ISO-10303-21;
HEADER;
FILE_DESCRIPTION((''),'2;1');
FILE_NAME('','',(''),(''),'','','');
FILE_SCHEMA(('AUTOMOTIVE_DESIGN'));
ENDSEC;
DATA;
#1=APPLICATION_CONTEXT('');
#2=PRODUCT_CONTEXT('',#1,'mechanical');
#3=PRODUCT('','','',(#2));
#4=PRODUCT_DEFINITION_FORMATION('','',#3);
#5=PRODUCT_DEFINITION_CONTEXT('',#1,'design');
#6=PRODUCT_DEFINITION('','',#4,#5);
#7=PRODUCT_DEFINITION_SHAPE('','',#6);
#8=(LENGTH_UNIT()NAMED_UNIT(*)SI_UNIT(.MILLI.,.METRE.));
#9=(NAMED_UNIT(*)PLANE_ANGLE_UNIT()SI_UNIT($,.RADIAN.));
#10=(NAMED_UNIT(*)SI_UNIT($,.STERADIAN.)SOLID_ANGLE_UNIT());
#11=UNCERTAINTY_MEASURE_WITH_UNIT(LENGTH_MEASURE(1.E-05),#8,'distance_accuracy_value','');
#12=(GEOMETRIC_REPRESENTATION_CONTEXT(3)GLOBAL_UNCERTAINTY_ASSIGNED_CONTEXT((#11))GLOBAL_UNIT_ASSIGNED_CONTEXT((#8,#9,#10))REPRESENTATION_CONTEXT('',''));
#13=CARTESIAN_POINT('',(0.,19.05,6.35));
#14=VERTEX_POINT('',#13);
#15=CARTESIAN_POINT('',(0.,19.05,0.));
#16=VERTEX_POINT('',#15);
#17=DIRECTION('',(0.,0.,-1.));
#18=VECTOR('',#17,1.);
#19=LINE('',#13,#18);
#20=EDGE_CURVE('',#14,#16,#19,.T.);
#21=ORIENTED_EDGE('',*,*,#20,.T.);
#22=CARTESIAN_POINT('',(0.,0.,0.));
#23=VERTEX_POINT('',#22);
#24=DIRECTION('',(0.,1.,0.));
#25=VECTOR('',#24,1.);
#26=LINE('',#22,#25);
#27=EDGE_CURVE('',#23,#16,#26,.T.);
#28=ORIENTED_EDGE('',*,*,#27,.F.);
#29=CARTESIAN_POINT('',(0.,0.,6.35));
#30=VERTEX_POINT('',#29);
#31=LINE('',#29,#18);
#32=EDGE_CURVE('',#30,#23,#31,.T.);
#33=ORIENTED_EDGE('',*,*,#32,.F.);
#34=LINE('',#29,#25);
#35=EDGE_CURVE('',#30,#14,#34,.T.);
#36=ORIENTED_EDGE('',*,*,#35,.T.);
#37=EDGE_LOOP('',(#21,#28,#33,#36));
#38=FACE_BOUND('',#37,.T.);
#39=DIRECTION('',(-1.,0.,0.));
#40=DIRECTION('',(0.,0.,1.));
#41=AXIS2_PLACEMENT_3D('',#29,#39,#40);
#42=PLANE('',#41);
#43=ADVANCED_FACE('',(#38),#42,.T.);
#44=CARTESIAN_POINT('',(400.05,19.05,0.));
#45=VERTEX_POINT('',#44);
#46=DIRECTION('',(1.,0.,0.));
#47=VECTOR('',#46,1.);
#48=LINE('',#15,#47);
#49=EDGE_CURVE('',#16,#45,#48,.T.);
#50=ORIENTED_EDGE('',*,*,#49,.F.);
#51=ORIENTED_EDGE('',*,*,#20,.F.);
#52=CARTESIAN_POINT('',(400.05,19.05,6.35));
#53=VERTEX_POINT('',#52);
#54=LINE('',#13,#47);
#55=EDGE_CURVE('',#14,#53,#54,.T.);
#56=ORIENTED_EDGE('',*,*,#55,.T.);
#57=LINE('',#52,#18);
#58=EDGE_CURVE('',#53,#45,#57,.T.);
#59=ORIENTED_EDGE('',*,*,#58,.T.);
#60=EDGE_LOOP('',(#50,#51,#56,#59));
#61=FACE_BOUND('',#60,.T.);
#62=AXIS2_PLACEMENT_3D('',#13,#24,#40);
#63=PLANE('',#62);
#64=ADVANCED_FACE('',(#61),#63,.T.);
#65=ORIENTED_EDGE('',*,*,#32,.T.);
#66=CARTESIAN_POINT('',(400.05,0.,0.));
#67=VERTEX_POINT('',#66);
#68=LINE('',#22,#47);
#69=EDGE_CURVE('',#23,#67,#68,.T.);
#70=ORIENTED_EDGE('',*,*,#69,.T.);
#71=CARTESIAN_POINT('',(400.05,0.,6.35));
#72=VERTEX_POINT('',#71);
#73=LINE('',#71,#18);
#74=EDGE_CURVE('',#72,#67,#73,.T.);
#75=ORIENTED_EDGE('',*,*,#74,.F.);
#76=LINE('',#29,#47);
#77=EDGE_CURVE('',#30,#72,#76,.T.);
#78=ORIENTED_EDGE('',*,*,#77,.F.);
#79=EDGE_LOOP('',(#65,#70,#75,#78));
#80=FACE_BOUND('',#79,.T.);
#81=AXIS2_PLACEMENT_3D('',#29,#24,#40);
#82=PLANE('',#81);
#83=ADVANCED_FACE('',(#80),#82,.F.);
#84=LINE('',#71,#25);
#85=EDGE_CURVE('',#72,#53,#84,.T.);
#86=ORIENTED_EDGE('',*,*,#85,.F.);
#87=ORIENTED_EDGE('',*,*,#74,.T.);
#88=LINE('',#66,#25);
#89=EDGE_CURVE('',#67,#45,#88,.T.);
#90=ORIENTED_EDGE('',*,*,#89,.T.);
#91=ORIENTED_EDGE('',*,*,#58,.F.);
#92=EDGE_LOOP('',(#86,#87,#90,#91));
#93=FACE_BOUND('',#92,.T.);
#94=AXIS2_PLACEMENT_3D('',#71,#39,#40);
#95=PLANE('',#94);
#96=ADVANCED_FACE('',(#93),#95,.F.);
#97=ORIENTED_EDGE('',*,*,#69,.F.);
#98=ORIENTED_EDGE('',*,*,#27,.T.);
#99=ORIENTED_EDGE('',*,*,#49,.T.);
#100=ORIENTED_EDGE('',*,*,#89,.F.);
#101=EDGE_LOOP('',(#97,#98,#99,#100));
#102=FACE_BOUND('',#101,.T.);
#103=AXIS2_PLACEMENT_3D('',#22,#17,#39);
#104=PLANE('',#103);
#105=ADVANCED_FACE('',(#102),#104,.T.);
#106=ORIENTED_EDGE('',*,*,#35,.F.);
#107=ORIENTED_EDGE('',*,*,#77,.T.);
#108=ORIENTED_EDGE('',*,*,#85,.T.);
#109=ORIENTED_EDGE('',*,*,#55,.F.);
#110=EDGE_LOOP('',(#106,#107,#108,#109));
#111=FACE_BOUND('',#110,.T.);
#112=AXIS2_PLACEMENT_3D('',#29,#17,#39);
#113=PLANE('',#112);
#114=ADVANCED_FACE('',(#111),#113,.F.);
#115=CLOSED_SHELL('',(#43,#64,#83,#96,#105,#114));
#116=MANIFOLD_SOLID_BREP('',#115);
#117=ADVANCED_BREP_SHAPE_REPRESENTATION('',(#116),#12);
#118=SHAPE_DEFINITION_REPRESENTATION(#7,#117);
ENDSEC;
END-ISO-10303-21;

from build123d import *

# Parameters (mm, degrees)
SKETCH1_W           = 400.05
SKETCH1_H           = 19.05
BOSS_EXTRUDE1_DEPTH = 6.35


with BuildPart() as part:
    # Sketch1 → Boss-Extrude1 (new body)
    with BuildSketch(Plane.XY):
        with Locations((200.025, 9.525)):
            Rectangle(SKETCH1_W, SKETCH1_H)
    extrude(amount=BOSS_EXTRUDE1_DEPTH)


solid = part.part
